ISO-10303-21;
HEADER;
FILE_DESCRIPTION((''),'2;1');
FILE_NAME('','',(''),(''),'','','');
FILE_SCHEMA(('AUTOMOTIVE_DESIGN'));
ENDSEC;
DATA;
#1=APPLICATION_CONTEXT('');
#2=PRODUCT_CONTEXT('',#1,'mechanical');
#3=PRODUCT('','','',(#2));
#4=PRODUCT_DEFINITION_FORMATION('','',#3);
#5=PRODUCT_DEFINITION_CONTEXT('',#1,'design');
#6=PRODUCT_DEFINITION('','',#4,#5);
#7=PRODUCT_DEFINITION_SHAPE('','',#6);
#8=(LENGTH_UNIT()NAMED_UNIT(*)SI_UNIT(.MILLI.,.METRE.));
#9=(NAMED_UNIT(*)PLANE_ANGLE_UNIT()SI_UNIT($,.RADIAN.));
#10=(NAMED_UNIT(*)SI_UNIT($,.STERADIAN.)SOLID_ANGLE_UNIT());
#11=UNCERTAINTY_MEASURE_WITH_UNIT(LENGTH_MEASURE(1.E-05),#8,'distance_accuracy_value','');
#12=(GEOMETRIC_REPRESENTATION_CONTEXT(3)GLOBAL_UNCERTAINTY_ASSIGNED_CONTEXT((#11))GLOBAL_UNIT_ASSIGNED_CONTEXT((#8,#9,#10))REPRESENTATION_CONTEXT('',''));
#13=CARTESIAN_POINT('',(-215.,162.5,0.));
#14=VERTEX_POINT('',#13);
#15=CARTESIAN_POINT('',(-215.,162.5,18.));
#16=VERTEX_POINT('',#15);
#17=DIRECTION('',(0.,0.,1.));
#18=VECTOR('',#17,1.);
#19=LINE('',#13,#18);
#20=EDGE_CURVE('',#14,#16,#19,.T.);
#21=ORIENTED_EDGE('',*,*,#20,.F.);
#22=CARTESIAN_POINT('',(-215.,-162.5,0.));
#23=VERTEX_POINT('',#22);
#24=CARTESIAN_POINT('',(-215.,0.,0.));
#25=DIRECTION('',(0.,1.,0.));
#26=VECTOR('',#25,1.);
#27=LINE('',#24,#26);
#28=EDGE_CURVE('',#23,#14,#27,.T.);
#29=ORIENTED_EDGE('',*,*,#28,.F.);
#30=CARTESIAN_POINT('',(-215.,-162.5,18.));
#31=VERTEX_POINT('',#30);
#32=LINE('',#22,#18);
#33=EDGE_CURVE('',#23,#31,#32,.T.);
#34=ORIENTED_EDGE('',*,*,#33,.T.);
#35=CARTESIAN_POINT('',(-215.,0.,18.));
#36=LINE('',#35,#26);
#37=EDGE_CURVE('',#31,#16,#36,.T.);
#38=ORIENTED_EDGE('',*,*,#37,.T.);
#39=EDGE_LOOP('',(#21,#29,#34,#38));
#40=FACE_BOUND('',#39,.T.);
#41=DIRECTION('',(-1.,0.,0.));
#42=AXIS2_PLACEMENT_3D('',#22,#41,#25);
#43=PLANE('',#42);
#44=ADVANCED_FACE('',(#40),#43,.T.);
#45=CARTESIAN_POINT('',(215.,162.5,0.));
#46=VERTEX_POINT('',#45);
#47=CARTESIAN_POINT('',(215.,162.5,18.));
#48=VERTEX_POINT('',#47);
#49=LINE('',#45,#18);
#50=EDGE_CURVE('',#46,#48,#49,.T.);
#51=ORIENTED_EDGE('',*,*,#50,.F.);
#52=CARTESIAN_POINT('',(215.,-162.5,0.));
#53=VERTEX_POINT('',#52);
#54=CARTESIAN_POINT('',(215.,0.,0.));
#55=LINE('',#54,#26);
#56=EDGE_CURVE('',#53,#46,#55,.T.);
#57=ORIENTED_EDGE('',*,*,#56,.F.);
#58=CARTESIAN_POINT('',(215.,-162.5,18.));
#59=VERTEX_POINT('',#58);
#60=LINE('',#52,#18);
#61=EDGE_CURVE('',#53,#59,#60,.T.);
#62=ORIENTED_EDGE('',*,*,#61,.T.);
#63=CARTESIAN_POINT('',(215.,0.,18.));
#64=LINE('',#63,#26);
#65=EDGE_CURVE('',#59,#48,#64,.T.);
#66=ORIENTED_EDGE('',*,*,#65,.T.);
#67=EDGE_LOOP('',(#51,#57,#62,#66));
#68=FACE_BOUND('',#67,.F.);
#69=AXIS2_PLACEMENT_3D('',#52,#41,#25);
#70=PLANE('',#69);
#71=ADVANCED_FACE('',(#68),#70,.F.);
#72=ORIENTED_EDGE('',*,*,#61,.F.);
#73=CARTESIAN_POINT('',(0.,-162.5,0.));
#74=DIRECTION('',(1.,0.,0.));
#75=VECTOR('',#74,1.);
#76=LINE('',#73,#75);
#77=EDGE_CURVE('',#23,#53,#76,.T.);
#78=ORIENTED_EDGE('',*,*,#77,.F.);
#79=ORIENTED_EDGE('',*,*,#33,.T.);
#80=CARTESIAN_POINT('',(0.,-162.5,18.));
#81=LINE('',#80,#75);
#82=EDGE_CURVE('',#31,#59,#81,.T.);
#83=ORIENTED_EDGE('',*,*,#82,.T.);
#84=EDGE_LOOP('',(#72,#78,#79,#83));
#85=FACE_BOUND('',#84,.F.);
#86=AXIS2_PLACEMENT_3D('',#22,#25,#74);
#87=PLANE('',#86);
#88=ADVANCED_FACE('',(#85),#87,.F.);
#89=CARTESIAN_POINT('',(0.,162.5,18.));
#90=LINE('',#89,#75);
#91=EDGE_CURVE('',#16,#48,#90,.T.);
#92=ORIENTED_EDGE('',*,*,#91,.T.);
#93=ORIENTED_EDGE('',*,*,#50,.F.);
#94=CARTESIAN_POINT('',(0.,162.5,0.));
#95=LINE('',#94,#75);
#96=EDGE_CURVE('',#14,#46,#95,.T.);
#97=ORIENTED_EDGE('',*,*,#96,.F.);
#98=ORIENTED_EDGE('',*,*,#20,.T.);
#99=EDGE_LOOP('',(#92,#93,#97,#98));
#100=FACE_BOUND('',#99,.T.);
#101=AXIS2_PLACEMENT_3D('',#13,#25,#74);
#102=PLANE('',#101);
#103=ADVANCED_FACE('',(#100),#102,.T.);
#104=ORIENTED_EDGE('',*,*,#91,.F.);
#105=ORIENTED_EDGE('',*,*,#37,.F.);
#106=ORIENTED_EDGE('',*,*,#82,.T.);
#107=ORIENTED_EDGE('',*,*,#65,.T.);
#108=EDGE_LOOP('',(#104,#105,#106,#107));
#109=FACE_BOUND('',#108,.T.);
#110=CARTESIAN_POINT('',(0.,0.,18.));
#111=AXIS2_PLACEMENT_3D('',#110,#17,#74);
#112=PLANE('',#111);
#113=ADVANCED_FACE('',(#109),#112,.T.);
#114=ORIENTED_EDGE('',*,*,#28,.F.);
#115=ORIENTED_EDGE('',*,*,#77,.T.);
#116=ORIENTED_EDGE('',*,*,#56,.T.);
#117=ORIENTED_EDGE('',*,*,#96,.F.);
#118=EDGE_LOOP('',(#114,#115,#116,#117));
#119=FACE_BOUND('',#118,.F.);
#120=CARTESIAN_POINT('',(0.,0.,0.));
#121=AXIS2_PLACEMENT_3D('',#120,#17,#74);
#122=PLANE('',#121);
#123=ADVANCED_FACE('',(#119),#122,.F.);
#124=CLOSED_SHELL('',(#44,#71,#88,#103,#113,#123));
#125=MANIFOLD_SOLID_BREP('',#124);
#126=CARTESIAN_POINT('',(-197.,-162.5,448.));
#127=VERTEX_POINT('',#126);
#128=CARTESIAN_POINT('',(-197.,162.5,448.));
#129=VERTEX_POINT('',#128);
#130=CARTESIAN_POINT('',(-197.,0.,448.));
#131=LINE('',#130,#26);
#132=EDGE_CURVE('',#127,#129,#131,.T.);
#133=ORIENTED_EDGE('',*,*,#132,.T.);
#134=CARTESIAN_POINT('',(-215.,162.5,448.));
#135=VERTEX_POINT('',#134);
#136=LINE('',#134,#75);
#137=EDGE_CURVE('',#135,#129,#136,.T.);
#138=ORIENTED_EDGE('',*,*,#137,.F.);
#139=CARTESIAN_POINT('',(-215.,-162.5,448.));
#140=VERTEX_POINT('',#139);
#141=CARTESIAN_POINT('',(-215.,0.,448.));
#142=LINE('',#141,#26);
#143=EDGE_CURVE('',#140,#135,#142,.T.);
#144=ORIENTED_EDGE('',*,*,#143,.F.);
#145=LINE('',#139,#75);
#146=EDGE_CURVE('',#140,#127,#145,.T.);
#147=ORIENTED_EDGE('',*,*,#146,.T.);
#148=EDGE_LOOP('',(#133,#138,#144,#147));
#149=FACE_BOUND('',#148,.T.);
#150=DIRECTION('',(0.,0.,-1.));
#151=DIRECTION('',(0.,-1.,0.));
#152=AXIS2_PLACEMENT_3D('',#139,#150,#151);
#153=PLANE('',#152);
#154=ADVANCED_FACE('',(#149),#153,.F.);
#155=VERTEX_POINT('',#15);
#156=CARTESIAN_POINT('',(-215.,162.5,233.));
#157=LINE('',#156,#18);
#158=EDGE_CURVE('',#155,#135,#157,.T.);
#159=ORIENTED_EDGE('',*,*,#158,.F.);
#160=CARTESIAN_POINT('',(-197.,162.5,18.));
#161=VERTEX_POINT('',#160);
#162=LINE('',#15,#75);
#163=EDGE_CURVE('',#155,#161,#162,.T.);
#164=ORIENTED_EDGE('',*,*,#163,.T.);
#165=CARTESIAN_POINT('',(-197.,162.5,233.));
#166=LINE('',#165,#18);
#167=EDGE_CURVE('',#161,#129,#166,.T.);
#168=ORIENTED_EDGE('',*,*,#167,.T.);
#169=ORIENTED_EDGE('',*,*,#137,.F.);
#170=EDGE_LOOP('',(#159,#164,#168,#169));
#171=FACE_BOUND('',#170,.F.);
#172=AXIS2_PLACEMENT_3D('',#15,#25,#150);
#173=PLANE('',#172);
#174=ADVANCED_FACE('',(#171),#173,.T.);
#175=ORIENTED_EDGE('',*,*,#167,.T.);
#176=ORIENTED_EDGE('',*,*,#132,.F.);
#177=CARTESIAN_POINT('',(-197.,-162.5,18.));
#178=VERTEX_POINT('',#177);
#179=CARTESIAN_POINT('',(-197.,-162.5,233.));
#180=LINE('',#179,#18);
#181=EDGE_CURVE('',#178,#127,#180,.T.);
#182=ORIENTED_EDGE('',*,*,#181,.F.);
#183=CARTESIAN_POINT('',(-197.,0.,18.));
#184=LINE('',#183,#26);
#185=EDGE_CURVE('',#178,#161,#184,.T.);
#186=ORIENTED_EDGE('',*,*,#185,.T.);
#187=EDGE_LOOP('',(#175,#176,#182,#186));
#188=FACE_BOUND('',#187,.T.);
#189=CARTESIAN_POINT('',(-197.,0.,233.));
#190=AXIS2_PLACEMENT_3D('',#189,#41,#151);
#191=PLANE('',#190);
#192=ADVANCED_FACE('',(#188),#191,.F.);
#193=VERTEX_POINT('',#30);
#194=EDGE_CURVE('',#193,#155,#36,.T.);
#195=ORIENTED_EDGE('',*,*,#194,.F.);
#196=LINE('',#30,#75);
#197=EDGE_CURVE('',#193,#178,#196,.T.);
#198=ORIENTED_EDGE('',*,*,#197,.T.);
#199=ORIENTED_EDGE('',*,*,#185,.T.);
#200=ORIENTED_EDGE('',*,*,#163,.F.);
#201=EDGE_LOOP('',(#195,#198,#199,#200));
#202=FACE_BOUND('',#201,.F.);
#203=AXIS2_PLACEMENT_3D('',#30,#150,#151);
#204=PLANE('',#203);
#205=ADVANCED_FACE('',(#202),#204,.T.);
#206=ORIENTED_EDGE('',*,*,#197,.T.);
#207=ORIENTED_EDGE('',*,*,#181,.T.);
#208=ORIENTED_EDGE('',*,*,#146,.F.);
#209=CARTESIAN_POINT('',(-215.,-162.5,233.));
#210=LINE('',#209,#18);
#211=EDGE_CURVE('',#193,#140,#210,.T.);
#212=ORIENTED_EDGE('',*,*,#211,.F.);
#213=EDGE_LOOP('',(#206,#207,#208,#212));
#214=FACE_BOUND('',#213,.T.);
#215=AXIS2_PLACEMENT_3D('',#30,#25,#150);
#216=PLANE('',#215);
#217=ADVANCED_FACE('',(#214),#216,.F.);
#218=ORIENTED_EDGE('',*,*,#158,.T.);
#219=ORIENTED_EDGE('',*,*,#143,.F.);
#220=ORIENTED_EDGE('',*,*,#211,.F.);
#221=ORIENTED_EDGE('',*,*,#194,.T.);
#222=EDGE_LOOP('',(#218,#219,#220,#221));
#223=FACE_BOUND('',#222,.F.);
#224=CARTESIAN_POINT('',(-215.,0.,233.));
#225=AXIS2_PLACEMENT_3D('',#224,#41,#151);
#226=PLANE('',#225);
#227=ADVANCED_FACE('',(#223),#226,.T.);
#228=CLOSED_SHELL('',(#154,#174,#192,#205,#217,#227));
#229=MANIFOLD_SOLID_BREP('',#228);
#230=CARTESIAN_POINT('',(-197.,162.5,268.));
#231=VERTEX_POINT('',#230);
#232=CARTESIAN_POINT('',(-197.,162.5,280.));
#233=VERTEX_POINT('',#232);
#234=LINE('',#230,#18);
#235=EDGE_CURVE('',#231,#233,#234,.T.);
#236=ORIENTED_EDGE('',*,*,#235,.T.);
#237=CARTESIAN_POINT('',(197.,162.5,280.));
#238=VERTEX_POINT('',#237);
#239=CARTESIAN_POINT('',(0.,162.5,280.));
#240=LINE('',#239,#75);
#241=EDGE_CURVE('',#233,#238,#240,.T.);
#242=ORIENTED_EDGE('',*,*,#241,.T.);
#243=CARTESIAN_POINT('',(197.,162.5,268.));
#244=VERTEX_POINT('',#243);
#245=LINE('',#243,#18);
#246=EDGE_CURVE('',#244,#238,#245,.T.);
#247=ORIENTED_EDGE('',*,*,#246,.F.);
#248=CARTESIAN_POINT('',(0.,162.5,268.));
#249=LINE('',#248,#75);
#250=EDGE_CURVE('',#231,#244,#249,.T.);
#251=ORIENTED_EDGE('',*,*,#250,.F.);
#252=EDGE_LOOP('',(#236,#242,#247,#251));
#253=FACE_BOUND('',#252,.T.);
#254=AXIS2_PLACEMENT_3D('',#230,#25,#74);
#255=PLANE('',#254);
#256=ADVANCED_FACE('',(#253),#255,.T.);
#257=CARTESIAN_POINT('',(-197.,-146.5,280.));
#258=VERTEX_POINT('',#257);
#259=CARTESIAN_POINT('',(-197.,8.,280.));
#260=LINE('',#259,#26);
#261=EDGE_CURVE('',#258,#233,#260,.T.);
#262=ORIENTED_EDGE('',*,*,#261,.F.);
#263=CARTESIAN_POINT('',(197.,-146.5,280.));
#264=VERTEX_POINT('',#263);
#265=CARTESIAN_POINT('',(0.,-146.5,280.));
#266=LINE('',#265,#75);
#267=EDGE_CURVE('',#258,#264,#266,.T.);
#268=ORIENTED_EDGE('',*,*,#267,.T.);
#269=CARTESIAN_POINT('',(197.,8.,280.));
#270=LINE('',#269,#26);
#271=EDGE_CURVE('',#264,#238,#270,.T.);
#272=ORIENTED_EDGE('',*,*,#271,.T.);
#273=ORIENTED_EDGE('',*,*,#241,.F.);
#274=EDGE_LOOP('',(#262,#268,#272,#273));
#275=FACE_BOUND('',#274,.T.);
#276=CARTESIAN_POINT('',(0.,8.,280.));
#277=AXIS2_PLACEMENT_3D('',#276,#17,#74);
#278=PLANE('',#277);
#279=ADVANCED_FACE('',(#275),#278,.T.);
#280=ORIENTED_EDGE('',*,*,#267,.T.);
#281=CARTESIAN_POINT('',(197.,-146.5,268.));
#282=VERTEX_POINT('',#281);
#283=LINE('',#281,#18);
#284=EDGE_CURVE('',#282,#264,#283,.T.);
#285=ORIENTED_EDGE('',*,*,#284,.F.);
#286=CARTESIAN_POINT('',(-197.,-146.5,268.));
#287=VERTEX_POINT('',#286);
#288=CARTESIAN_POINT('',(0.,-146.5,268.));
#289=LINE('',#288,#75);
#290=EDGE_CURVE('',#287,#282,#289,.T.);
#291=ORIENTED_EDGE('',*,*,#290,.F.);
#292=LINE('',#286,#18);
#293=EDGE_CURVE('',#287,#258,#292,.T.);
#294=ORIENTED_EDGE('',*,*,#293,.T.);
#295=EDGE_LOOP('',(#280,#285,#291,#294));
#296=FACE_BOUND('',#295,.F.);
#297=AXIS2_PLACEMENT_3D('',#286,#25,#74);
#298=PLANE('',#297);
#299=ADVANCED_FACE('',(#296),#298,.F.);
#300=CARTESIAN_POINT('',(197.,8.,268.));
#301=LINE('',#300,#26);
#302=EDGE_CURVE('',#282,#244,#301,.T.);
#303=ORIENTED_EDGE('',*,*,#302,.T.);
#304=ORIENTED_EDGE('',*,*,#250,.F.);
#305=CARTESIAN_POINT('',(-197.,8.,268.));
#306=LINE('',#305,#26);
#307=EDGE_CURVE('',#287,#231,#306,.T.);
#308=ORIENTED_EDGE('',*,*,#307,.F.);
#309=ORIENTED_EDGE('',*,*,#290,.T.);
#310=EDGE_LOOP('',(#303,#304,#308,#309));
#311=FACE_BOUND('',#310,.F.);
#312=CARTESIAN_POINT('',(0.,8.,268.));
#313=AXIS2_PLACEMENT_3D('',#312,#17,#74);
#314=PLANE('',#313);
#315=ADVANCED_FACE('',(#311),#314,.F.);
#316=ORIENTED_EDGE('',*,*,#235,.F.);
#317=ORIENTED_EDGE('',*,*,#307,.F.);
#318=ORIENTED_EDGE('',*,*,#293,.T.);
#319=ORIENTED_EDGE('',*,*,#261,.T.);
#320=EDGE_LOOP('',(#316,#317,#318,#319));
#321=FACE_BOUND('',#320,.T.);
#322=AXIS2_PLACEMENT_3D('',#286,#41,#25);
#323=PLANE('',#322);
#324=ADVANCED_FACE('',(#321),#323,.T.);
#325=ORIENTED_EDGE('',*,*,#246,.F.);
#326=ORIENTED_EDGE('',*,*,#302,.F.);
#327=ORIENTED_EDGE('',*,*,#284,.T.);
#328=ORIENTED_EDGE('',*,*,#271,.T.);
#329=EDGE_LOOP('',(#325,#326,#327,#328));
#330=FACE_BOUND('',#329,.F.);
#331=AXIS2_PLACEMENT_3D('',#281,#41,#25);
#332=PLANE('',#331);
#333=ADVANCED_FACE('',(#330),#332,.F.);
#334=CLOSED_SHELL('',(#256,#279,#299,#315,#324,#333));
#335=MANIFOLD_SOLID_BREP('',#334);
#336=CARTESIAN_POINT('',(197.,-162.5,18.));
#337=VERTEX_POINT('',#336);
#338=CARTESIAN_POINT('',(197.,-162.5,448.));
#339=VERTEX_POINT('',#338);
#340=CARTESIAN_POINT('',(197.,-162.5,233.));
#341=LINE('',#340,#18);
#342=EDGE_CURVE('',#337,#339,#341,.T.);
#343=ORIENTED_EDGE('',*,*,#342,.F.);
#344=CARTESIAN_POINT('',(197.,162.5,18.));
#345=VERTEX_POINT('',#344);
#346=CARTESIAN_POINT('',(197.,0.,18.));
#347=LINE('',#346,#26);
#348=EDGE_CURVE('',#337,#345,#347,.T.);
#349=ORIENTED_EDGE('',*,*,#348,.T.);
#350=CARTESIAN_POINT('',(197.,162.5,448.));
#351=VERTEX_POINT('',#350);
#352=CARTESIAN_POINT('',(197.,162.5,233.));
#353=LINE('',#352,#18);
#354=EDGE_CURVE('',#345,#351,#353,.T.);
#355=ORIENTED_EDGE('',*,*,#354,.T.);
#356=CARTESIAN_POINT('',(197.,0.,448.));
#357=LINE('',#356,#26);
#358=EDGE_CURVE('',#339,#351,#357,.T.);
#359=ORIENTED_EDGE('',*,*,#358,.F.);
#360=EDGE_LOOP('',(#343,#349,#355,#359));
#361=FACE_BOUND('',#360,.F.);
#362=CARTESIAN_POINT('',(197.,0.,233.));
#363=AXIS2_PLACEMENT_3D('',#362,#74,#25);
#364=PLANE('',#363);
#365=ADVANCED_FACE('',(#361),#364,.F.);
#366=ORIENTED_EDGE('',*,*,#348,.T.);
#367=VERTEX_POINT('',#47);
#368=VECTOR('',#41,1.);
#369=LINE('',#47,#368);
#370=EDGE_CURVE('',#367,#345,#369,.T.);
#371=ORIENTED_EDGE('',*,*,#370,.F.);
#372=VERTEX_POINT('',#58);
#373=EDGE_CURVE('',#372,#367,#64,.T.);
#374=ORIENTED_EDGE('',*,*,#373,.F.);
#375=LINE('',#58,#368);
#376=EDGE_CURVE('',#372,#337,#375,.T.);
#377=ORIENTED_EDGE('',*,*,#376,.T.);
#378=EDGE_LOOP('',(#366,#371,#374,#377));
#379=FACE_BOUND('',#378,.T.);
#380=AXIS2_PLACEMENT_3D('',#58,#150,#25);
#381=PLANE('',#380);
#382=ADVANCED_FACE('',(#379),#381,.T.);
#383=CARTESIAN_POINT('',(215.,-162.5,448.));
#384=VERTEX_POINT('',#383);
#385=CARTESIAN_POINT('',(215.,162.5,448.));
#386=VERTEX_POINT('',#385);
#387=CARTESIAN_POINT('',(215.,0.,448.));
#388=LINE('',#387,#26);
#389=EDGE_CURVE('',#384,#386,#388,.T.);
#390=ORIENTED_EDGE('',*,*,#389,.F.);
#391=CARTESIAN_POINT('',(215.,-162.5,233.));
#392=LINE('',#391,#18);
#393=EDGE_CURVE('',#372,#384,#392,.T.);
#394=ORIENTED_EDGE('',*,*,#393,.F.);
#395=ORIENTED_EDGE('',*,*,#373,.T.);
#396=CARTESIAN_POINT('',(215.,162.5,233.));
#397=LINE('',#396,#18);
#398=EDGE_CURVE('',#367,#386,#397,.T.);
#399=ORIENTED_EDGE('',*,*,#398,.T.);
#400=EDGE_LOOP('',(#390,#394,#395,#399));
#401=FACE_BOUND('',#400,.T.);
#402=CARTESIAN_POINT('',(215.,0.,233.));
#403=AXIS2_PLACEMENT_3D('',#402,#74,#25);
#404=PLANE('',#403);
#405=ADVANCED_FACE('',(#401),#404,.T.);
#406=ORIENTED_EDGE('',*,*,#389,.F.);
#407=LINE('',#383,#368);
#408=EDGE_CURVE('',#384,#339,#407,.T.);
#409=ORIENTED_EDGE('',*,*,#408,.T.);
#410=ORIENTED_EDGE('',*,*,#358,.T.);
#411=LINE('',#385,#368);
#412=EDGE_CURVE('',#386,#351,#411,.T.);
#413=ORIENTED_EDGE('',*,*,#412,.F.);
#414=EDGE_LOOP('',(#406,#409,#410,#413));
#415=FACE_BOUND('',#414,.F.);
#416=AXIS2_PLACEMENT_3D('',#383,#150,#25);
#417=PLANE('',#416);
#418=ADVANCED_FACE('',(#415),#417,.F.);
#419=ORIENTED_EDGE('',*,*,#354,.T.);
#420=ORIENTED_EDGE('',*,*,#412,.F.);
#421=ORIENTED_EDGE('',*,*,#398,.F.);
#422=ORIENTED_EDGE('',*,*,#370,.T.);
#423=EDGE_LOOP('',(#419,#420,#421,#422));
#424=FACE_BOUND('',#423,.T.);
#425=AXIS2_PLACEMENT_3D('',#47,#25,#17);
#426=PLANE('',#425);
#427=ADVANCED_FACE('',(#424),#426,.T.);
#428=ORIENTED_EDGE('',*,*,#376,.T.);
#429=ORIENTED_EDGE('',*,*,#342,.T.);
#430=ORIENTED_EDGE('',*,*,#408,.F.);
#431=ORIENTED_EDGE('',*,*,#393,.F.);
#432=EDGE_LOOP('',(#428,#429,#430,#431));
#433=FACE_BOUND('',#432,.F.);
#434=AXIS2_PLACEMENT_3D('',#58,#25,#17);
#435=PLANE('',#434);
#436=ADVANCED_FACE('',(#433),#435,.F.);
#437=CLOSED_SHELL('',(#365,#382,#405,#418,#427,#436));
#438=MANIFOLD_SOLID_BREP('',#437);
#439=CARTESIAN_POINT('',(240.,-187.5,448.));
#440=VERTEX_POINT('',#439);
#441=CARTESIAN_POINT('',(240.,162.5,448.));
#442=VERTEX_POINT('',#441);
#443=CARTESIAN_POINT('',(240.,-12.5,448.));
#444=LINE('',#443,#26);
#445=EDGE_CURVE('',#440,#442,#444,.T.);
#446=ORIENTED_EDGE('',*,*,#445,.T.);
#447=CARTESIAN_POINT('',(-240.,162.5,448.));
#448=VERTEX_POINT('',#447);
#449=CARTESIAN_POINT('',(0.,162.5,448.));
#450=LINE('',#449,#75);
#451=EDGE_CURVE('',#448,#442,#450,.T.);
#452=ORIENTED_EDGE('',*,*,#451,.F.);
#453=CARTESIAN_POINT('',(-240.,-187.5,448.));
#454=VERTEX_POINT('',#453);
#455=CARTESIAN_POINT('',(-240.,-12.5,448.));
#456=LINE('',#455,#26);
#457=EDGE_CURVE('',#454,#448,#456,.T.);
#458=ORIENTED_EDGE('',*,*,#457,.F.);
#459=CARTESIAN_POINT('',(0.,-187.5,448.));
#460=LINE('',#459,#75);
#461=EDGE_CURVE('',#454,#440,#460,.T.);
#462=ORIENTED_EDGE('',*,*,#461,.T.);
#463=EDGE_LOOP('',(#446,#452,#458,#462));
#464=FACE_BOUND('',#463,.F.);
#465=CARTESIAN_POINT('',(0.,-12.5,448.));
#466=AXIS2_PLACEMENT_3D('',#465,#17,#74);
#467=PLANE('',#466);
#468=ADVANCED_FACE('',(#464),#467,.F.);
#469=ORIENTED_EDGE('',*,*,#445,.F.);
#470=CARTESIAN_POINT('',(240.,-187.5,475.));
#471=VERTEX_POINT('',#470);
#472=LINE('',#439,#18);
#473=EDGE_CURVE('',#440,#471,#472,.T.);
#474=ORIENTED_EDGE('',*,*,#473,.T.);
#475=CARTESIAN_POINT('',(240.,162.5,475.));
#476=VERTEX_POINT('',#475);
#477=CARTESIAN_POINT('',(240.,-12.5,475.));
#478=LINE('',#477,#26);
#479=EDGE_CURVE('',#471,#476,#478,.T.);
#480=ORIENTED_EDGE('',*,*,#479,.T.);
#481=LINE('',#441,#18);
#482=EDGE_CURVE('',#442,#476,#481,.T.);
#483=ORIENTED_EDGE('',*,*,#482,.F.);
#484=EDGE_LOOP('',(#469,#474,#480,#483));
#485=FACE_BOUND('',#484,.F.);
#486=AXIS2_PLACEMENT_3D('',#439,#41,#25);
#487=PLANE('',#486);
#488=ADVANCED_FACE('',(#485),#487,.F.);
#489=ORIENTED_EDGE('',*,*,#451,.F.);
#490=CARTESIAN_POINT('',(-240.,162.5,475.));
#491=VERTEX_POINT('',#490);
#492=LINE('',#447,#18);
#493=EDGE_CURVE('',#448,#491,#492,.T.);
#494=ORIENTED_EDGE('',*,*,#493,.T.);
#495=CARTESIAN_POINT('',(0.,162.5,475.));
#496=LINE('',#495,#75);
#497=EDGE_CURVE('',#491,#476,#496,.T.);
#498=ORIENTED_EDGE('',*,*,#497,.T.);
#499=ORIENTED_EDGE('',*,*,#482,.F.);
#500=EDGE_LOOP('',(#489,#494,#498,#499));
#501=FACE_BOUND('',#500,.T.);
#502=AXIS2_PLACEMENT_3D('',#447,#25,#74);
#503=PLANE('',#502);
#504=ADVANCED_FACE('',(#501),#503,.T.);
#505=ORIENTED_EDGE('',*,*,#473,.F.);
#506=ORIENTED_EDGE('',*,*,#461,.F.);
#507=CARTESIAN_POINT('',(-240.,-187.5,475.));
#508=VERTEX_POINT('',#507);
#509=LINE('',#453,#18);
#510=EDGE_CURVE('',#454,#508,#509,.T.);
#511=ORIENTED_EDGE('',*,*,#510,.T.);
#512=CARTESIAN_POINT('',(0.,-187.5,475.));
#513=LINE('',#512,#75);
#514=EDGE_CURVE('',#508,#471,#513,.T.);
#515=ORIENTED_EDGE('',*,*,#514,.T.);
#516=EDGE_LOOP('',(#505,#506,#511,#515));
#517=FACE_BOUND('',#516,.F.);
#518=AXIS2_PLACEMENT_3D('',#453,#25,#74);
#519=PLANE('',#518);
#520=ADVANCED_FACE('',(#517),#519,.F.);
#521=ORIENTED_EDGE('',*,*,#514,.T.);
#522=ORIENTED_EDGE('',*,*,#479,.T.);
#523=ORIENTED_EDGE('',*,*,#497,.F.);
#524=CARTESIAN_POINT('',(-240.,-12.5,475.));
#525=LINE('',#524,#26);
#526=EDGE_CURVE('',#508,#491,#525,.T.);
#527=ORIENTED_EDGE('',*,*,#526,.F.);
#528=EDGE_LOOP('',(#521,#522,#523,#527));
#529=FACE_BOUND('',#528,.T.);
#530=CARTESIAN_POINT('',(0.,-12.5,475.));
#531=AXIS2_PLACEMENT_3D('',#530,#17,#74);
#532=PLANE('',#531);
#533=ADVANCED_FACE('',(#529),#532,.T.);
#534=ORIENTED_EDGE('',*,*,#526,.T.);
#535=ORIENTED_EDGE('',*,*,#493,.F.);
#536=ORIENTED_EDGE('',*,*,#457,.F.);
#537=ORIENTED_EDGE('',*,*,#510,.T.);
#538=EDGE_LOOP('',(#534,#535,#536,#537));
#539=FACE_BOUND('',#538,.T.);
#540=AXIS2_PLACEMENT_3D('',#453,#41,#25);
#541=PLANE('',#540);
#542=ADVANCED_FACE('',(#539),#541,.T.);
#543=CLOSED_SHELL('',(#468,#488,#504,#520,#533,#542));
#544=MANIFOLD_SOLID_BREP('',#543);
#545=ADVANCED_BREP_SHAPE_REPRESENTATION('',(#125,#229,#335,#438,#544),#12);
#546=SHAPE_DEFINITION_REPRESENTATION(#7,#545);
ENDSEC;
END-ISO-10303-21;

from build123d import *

# Parameters (mm, degrees)
F0_W     = 430
F0_H     = 325
F1_DEPTH = 18
F2_W     = 325
F2_H     = 430
F3_DEPTH = 18
F5_W     = 480
F5_H     = 350
F6_DEPTH = 27
F8_W     = 394
F8_H     = 309
F9_DEPTH = 12


with BuildPart() as f1:
    # F0 (on Top) → F1 (new body)
    with BuildSketch(Plane.XY):
        Rectangle(F0_W, F0_H)
    extrude(amount=F1_DEPTH)


with BuildPart() as f3:
    # F2 (on face) → F3 (new body)
    with BuildSketch(Plane.YZ.offset(215)):
        with Locations((0, 233)):
            Rectangle(F2_W, F2_H)
    extrude(amount=-F3_DEPTH)


with BuildPart() as f4_1:
    # F4: instance of F3
    add(f3.part.mirror(Plane.YZ))


with BuildPart() as f6:
    # F5 (on face) → F6 (new body)
    with BuildSketch(Plane.XY.offset(448)):
        with Locations((0, -12.5)):
            Rectangle(F5_W, F5_H)
    extrude(amount=F6_DEPTH)


with BuildPart() as f9:
    # F8 (on offset) → F9 (new body)
    with BuildSketch(Plane.XY.offset(268)):
        with Locations((0, 8)):
            Rectangle(F8_W, F8_H)
    extrude(amount=F9_DEPTH)


solid = Compound([f1.part, f3.part, f4_1.part, f6.part, f9.part])
